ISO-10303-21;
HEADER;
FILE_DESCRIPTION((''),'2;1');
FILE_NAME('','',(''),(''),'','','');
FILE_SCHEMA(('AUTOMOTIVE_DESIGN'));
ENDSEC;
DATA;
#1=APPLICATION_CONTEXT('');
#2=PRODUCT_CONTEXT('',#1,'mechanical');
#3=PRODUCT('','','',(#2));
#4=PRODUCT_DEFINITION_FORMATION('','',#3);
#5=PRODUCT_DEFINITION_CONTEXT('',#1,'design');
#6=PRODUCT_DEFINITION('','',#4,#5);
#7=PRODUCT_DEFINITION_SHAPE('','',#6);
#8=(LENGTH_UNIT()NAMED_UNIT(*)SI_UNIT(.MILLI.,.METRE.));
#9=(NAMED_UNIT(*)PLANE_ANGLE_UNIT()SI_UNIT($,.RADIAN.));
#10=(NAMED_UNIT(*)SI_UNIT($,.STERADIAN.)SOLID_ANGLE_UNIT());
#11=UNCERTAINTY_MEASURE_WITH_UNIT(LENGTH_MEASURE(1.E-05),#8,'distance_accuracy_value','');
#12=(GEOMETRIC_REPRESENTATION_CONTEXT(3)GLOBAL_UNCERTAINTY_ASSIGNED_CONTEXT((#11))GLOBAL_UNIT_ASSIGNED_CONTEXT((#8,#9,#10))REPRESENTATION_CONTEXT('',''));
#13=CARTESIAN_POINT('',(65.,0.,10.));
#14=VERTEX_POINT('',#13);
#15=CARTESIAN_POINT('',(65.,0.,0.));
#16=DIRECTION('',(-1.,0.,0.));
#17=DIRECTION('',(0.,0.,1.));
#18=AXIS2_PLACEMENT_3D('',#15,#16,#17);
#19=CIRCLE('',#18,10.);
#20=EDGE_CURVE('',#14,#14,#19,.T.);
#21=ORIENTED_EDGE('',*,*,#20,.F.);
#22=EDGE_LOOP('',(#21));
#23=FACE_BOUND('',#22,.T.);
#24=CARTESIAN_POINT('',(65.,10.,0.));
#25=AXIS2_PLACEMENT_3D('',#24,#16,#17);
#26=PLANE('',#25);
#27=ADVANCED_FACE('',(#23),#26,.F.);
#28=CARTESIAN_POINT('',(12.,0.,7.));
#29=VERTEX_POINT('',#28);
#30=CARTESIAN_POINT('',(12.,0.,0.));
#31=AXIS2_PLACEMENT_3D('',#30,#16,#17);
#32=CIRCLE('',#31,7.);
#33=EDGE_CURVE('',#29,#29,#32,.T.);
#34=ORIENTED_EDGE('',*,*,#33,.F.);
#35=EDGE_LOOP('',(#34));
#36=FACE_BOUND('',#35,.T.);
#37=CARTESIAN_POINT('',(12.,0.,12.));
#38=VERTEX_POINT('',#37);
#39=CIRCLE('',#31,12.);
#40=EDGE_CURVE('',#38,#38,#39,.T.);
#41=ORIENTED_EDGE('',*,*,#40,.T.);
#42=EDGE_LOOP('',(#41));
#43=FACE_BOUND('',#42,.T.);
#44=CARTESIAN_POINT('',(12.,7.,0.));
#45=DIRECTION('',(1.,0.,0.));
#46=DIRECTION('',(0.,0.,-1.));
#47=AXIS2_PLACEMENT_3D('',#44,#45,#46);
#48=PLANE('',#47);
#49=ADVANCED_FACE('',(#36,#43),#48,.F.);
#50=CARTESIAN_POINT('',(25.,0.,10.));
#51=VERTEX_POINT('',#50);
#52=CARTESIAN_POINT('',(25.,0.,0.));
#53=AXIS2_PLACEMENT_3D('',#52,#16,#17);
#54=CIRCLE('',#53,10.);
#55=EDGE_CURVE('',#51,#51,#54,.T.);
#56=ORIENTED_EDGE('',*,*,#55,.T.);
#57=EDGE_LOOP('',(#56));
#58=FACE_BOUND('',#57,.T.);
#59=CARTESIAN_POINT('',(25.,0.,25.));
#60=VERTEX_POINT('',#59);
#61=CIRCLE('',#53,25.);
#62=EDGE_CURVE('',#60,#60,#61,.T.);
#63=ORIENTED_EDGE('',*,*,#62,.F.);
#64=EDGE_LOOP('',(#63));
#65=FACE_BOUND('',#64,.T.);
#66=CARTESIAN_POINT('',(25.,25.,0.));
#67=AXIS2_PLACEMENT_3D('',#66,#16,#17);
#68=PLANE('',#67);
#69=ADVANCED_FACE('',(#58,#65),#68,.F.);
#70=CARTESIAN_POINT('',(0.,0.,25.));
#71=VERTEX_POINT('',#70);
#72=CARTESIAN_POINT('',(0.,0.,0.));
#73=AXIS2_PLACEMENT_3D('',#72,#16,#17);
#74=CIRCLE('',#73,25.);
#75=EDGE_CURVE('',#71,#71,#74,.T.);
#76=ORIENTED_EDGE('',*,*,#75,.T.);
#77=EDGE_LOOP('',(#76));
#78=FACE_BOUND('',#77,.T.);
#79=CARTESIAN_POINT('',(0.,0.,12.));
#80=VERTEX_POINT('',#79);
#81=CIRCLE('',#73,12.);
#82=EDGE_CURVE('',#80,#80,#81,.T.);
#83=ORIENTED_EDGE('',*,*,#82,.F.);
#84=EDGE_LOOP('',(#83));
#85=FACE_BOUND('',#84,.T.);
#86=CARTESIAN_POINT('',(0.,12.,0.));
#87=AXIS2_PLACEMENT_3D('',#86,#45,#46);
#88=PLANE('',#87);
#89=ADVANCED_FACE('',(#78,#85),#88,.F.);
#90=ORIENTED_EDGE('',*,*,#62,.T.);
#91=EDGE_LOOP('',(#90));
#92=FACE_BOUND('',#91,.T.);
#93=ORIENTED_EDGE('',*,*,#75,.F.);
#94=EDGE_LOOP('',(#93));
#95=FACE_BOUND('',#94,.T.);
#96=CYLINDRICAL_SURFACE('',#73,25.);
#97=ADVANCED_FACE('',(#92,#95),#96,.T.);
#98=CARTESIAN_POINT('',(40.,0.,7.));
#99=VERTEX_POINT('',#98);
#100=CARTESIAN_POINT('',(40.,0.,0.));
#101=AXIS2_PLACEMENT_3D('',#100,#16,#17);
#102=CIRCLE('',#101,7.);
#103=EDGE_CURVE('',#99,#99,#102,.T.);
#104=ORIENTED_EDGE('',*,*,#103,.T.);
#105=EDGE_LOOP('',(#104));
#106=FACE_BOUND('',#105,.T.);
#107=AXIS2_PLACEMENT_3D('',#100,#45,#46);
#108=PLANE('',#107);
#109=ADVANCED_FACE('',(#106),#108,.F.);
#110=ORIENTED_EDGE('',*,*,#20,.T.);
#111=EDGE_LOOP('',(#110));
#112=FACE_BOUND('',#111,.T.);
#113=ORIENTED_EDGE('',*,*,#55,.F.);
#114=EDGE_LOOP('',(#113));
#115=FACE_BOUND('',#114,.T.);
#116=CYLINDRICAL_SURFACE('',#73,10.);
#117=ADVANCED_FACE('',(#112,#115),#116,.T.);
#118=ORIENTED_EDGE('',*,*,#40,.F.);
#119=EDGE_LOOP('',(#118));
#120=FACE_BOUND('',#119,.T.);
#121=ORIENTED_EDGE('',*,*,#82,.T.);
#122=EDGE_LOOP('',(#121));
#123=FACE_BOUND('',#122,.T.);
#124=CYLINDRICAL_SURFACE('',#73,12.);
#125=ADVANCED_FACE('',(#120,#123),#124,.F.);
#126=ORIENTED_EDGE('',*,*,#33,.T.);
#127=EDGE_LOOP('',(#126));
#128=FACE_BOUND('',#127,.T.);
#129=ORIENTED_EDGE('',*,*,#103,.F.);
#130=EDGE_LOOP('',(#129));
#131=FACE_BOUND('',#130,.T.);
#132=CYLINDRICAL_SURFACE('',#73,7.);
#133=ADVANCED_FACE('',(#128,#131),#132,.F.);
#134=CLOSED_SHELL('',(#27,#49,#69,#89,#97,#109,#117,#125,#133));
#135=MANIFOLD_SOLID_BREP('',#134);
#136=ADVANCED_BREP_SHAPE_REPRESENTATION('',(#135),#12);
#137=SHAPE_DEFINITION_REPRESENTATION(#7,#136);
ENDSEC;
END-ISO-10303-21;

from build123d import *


with BuildPart() as part:
    # Sketch1 → Revolve1 (revolve)
    with BuildSketch(Plane.XY, mode=Mode.PRIVATE) as revolve1_sk:
        Polygon((0, 12), (0, 25), (25, 25), (25, 10), (65, 10), (65, 0), (40, 0), (40, 7), (12, 7), (12, 12), align=None)
    revolve(revolve1_sk.sketch.rotate(Axis((0, 0, 0), (1, 0, 0)), 90), axis=Axis((0, 0, 0), (1, 0, 0)))


solid = part.part
